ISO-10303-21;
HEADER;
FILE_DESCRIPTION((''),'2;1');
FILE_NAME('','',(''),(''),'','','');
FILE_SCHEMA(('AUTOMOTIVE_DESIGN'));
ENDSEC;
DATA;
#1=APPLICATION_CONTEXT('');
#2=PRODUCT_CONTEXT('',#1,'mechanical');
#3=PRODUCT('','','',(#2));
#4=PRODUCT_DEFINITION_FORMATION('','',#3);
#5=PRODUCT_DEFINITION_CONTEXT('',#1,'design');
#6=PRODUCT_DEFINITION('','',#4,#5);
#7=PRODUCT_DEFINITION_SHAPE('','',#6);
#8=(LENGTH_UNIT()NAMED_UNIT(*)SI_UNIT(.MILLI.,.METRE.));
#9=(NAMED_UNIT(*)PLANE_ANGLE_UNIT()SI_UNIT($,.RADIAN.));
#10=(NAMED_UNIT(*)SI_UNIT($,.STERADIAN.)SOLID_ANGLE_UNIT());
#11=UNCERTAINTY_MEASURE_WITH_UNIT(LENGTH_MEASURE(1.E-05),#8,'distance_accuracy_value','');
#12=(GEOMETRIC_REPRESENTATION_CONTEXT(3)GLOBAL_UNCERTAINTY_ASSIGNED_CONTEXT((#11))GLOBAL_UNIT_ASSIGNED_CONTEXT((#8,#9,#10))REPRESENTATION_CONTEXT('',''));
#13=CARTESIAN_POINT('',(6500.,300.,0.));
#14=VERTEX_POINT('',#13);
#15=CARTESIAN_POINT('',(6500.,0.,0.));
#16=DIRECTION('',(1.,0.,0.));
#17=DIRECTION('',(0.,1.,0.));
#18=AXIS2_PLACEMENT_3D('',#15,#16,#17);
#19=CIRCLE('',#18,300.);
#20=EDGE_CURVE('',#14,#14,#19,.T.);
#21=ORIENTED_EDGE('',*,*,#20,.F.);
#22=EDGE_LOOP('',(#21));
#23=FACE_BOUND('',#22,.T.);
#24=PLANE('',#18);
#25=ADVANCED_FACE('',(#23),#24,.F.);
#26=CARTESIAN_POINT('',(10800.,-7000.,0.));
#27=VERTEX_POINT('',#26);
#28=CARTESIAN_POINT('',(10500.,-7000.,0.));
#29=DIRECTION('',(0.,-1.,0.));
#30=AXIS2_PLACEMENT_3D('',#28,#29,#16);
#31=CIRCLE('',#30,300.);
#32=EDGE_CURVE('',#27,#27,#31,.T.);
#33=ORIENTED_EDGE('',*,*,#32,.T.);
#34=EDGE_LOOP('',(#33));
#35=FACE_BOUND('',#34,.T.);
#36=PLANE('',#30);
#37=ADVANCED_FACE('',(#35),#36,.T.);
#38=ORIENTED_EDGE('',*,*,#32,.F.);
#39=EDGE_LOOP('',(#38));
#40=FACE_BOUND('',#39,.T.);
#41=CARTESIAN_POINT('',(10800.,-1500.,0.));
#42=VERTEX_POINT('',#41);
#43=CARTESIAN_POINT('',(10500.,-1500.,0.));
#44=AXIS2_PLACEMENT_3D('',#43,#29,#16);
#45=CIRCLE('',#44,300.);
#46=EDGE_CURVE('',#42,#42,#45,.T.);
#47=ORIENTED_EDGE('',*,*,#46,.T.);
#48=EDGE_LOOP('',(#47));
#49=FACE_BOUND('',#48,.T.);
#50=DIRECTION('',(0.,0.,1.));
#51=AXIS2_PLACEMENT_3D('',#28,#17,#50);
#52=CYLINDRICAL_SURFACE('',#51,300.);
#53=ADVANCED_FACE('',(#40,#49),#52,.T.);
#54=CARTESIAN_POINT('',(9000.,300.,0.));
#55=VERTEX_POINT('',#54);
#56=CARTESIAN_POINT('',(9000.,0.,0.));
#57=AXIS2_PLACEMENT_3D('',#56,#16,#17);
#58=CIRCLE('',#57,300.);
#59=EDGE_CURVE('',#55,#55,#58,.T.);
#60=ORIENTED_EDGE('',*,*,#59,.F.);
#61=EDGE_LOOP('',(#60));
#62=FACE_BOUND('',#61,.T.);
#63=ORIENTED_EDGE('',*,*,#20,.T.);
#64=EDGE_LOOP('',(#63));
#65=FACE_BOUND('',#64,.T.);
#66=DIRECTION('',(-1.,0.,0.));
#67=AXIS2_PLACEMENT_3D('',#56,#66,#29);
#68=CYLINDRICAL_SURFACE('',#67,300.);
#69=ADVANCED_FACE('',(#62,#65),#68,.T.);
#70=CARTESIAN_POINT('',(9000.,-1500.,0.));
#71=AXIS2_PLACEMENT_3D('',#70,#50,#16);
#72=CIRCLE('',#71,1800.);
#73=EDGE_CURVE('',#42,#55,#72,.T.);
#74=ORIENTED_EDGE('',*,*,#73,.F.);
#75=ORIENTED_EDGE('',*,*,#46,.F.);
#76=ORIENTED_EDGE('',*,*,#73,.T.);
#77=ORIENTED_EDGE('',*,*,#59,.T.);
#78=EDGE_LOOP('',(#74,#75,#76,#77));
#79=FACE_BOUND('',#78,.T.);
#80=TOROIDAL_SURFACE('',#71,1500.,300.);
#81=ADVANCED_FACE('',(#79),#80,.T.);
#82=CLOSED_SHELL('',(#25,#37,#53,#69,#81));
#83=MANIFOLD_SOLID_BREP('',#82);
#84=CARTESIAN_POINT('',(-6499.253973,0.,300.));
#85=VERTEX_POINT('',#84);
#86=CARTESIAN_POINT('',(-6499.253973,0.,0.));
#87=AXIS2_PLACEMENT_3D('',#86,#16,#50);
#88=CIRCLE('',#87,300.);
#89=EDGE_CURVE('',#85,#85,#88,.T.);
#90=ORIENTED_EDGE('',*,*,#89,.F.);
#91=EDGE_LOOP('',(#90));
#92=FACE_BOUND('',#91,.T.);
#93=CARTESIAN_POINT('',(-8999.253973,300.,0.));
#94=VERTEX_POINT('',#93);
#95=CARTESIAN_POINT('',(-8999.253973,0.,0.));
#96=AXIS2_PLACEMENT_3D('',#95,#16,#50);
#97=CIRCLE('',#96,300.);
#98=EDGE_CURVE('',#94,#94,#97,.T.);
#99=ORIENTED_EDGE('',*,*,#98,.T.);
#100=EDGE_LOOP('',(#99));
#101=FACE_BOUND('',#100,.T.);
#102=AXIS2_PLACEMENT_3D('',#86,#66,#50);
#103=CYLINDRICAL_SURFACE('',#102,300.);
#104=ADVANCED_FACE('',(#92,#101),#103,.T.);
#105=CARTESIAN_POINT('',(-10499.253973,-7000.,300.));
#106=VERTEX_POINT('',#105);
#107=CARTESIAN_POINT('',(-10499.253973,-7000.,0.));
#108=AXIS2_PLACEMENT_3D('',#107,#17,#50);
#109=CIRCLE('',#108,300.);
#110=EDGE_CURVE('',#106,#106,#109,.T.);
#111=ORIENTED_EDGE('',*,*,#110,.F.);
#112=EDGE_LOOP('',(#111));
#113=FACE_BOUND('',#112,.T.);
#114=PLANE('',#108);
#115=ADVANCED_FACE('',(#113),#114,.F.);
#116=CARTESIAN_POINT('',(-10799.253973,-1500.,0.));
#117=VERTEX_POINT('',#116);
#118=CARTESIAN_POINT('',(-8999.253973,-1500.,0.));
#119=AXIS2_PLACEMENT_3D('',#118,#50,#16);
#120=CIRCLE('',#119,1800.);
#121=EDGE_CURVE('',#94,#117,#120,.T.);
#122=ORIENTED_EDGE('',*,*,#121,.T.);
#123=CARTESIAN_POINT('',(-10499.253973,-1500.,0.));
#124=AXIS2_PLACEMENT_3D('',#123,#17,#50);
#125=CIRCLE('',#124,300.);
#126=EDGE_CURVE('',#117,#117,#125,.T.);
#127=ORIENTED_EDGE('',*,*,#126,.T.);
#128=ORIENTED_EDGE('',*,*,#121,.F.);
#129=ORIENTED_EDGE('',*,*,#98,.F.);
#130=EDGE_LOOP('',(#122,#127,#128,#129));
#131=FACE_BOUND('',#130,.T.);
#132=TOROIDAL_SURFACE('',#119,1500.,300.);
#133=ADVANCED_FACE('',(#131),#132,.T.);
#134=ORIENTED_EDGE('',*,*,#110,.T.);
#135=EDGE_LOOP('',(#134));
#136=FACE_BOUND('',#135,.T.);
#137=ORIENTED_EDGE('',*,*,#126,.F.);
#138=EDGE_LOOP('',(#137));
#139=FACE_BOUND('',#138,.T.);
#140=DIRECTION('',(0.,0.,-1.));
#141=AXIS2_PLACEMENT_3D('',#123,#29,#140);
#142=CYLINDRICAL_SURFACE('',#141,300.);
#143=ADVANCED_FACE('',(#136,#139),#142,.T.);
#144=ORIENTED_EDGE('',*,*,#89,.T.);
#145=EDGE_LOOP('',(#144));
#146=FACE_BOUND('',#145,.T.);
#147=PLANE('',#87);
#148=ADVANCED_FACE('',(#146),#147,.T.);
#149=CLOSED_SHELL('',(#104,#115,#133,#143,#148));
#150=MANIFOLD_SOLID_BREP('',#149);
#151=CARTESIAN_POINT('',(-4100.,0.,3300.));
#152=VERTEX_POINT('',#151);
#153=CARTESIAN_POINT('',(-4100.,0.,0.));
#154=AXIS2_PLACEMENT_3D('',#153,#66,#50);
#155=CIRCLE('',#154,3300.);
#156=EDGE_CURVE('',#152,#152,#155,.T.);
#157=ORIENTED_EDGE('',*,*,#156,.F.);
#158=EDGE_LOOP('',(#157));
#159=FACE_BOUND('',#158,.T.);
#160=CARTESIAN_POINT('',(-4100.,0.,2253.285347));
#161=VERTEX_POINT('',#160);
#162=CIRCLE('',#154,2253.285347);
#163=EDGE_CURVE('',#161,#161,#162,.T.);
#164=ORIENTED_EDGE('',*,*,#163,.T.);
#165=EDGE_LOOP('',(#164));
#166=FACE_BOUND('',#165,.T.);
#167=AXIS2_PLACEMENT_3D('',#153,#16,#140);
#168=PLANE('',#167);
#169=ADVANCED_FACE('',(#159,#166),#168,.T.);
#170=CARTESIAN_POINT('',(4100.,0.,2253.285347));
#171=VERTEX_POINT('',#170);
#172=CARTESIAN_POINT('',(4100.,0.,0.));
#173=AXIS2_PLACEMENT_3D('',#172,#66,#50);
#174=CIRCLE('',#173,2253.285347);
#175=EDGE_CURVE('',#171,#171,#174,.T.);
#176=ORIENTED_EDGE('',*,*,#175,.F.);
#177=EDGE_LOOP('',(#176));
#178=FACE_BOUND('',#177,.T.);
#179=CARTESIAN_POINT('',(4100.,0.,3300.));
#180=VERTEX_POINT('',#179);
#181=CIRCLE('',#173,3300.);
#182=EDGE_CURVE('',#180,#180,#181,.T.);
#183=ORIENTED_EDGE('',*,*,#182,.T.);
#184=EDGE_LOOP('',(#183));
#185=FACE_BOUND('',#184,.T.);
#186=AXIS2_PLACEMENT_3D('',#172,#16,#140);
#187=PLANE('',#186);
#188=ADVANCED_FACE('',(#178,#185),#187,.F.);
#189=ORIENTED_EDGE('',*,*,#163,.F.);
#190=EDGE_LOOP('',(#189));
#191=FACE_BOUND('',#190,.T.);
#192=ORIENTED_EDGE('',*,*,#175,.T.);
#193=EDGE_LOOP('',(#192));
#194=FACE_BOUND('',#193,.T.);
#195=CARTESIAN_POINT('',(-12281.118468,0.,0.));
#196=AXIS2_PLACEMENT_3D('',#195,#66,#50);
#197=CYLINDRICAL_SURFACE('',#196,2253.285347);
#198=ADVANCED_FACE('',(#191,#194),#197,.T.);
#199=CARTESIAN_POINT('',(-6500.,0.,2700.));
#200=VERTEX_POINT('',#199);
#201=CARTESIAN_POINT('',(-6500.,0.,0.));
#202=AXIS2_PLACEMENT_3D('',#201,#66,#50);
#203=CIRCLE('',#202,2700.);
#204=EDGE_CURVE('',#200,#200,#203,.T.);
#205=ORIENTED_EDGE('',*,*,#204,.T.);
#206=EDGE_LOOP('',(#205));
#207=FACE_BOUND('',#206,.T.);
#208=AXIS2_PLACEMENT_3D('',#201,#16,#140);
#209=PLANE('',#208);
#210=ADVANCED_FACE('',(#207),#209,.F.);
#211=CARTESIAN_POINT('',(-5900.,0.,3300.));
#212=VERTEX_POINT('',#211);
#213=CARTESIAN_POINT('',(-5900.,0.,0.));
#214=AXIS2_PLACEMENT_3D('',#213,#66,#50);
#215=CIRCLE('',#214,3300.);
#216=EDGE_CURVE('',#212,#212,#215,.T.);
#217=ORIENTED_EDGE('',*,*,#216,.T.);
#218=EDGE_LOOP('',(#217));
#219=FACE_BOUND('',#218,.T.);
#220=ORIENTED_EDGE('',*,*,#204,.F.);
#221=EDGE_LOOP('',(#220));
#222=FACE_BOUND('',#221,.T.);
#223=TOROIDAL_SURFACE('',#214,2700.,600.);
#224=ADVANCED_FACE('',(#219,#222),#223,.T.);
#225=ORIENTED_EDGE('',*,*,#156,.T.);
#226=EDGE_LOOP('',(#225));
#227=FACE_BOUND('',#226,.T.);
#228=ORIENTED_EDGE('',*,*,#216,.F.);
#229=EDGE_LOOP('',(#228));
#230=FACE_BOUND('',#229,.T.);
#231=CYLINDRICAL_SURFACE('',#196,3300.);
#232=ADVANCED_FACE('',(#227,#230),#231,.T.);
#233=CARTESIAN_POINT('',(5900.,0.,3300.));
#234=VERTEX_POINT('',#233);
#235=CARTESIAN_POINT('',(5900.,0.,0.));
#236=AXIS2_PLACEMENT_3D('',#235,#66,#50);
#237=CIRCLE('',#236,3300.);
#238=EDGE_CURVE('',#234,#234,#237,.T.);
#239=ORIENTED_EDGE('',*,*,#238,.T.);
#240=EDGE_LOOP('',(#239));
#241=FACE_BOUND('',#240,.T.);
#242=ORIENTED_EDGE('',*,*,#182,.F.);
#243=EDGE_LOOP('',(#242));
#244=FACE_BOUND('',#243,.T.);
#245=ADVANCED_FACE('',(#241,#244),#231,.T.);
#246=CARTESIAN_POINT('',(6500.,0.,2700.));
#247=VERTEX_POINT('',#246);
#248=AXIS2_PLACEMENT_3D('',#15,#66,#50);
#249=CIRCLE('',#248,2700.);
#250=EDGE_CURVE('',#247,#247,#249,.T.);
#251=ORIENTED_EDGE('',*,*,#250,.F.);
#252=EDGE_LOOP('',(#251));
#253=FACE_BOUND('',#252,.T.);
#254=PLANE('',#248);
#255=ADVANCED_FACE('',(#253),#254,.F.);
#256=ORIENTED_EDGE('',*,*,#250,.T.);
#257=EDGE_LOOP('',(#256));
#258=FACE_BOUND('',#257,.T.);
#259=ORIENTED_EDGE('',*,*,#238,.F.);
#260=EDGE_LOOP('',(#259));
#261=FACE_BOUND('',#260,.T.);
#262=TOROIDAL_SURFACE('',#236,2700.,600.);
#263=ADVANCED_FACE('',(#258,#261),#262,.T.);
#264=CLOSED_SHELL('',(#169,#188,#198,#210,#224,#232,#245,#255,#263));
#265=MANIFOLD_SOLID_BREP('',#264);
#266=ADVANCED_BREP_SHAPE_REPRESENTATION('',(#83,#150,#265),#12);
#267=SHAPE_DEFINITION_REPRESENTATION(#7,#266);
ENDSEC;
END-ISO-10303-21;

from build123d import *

# Parameters (mm, degrees)
SWEEP1_PROFILE_R = 300
SWEEP2_PROFILE_R = 300
SKETCH1_W        = 8200
SKETCH1_H        = 2253.285346905


with BuildPart() as part:
    # Sweep1: sweep along a path in Sketch4
    with BuildLine(Plane.XY) as sweep1_path:
        Line((10500, -7000), (10500, -1500))
        ThreePointArc((10500, -1500), (10060.66017178, -439.33982822), (9000, 0))
        Line((9000, 0), (6500, 0))
    # Sweep1 profile (on start of the path) → Sweep1 (sweep)
    with BuildSketch(Plane(origin=(10500, -7000, 0), x_dir=(0, 0, 1), z_dir=(0, 1, 0))):
        Circle(SWEEP1_PROFILE_R)
    sweep(path=sweep1_path.line)


with BuildPart() as body_2:
    # Sweep2: sweep along a path in Sketch3
    with BuildLine(Plane.XY) as sweep2_path:
        Line((-6499.25397283, 0), (-8999.25397283, 0))
        ThreePointArc((-8999.25397283, 0), (-10059.91414461, -439.33982822), (-10499.25397283, -1500))
        Line((-10499.25397283, -1500), (-10499.25397283, -7000))
    # Sweep2 profile (on start of the path) → Sweep2 (sweep)
    with BuildSketch(Plane(origin=(-6499.25397283, 0, 0), x_dir=(0, 0, -1), z_dir=(-1, 0, 0))):
        Circle(SWEEP2_PROFILE_R)
    sweep(path=sweep2_path.line)


with BuildPart() as body_3:
    # Sketch1 → Revolve2 (revolve)
    with BuildSketch(Plane(origin=(0, 0, 0), x_dir=(1, 0, 0), z_dir=(0, 1, 0)), mode=Mode.PRIVATE) as revolve2_sk:
        with BuildLine():
            Line((4100, 2253.285346905), (4100, 0))
            Line((4100, 0), (6500, 0))
            Line((6500, 0), (6500, 2700))
            ThreePointArc((6500, 2700), (6324.264068712, 3124.264068712), (5900, 3300))
            Line((5900, 3300), (4100, 3300))
            Line((4100, 3300), (4100, 2253.285346905))
        make_face()
        with Locations((0, 1126.642673453)):
            Rectangle(SKETCH1_W, SKETCH1_H)
        with BuildLine():
            ThreePointArc((-5900, 3300), (-6324.264068712, 3124.264068712), (-6500, 2700))
            Line((-6500, 2700), (-6500, 0))
            Line((-6500, 0), (-4100, 0))
            Line((-4100, 0), (-4100, 2253.285346905))
            Line((-4100, 2253.285346905), (-4100, 3300))
            Line((-4100, 3300), (-5900, 3300))
        make_face()
    revolve(revolve2_sk.sketch.rotate(Axis((-12281.118467832, 0, 0), (1, 0, 0)), 180), axis=Axis((-12281.118467832, 0, 0), (1, 0, 0)))


solid = Compound([part.part, body_2.part, body_3.part])
